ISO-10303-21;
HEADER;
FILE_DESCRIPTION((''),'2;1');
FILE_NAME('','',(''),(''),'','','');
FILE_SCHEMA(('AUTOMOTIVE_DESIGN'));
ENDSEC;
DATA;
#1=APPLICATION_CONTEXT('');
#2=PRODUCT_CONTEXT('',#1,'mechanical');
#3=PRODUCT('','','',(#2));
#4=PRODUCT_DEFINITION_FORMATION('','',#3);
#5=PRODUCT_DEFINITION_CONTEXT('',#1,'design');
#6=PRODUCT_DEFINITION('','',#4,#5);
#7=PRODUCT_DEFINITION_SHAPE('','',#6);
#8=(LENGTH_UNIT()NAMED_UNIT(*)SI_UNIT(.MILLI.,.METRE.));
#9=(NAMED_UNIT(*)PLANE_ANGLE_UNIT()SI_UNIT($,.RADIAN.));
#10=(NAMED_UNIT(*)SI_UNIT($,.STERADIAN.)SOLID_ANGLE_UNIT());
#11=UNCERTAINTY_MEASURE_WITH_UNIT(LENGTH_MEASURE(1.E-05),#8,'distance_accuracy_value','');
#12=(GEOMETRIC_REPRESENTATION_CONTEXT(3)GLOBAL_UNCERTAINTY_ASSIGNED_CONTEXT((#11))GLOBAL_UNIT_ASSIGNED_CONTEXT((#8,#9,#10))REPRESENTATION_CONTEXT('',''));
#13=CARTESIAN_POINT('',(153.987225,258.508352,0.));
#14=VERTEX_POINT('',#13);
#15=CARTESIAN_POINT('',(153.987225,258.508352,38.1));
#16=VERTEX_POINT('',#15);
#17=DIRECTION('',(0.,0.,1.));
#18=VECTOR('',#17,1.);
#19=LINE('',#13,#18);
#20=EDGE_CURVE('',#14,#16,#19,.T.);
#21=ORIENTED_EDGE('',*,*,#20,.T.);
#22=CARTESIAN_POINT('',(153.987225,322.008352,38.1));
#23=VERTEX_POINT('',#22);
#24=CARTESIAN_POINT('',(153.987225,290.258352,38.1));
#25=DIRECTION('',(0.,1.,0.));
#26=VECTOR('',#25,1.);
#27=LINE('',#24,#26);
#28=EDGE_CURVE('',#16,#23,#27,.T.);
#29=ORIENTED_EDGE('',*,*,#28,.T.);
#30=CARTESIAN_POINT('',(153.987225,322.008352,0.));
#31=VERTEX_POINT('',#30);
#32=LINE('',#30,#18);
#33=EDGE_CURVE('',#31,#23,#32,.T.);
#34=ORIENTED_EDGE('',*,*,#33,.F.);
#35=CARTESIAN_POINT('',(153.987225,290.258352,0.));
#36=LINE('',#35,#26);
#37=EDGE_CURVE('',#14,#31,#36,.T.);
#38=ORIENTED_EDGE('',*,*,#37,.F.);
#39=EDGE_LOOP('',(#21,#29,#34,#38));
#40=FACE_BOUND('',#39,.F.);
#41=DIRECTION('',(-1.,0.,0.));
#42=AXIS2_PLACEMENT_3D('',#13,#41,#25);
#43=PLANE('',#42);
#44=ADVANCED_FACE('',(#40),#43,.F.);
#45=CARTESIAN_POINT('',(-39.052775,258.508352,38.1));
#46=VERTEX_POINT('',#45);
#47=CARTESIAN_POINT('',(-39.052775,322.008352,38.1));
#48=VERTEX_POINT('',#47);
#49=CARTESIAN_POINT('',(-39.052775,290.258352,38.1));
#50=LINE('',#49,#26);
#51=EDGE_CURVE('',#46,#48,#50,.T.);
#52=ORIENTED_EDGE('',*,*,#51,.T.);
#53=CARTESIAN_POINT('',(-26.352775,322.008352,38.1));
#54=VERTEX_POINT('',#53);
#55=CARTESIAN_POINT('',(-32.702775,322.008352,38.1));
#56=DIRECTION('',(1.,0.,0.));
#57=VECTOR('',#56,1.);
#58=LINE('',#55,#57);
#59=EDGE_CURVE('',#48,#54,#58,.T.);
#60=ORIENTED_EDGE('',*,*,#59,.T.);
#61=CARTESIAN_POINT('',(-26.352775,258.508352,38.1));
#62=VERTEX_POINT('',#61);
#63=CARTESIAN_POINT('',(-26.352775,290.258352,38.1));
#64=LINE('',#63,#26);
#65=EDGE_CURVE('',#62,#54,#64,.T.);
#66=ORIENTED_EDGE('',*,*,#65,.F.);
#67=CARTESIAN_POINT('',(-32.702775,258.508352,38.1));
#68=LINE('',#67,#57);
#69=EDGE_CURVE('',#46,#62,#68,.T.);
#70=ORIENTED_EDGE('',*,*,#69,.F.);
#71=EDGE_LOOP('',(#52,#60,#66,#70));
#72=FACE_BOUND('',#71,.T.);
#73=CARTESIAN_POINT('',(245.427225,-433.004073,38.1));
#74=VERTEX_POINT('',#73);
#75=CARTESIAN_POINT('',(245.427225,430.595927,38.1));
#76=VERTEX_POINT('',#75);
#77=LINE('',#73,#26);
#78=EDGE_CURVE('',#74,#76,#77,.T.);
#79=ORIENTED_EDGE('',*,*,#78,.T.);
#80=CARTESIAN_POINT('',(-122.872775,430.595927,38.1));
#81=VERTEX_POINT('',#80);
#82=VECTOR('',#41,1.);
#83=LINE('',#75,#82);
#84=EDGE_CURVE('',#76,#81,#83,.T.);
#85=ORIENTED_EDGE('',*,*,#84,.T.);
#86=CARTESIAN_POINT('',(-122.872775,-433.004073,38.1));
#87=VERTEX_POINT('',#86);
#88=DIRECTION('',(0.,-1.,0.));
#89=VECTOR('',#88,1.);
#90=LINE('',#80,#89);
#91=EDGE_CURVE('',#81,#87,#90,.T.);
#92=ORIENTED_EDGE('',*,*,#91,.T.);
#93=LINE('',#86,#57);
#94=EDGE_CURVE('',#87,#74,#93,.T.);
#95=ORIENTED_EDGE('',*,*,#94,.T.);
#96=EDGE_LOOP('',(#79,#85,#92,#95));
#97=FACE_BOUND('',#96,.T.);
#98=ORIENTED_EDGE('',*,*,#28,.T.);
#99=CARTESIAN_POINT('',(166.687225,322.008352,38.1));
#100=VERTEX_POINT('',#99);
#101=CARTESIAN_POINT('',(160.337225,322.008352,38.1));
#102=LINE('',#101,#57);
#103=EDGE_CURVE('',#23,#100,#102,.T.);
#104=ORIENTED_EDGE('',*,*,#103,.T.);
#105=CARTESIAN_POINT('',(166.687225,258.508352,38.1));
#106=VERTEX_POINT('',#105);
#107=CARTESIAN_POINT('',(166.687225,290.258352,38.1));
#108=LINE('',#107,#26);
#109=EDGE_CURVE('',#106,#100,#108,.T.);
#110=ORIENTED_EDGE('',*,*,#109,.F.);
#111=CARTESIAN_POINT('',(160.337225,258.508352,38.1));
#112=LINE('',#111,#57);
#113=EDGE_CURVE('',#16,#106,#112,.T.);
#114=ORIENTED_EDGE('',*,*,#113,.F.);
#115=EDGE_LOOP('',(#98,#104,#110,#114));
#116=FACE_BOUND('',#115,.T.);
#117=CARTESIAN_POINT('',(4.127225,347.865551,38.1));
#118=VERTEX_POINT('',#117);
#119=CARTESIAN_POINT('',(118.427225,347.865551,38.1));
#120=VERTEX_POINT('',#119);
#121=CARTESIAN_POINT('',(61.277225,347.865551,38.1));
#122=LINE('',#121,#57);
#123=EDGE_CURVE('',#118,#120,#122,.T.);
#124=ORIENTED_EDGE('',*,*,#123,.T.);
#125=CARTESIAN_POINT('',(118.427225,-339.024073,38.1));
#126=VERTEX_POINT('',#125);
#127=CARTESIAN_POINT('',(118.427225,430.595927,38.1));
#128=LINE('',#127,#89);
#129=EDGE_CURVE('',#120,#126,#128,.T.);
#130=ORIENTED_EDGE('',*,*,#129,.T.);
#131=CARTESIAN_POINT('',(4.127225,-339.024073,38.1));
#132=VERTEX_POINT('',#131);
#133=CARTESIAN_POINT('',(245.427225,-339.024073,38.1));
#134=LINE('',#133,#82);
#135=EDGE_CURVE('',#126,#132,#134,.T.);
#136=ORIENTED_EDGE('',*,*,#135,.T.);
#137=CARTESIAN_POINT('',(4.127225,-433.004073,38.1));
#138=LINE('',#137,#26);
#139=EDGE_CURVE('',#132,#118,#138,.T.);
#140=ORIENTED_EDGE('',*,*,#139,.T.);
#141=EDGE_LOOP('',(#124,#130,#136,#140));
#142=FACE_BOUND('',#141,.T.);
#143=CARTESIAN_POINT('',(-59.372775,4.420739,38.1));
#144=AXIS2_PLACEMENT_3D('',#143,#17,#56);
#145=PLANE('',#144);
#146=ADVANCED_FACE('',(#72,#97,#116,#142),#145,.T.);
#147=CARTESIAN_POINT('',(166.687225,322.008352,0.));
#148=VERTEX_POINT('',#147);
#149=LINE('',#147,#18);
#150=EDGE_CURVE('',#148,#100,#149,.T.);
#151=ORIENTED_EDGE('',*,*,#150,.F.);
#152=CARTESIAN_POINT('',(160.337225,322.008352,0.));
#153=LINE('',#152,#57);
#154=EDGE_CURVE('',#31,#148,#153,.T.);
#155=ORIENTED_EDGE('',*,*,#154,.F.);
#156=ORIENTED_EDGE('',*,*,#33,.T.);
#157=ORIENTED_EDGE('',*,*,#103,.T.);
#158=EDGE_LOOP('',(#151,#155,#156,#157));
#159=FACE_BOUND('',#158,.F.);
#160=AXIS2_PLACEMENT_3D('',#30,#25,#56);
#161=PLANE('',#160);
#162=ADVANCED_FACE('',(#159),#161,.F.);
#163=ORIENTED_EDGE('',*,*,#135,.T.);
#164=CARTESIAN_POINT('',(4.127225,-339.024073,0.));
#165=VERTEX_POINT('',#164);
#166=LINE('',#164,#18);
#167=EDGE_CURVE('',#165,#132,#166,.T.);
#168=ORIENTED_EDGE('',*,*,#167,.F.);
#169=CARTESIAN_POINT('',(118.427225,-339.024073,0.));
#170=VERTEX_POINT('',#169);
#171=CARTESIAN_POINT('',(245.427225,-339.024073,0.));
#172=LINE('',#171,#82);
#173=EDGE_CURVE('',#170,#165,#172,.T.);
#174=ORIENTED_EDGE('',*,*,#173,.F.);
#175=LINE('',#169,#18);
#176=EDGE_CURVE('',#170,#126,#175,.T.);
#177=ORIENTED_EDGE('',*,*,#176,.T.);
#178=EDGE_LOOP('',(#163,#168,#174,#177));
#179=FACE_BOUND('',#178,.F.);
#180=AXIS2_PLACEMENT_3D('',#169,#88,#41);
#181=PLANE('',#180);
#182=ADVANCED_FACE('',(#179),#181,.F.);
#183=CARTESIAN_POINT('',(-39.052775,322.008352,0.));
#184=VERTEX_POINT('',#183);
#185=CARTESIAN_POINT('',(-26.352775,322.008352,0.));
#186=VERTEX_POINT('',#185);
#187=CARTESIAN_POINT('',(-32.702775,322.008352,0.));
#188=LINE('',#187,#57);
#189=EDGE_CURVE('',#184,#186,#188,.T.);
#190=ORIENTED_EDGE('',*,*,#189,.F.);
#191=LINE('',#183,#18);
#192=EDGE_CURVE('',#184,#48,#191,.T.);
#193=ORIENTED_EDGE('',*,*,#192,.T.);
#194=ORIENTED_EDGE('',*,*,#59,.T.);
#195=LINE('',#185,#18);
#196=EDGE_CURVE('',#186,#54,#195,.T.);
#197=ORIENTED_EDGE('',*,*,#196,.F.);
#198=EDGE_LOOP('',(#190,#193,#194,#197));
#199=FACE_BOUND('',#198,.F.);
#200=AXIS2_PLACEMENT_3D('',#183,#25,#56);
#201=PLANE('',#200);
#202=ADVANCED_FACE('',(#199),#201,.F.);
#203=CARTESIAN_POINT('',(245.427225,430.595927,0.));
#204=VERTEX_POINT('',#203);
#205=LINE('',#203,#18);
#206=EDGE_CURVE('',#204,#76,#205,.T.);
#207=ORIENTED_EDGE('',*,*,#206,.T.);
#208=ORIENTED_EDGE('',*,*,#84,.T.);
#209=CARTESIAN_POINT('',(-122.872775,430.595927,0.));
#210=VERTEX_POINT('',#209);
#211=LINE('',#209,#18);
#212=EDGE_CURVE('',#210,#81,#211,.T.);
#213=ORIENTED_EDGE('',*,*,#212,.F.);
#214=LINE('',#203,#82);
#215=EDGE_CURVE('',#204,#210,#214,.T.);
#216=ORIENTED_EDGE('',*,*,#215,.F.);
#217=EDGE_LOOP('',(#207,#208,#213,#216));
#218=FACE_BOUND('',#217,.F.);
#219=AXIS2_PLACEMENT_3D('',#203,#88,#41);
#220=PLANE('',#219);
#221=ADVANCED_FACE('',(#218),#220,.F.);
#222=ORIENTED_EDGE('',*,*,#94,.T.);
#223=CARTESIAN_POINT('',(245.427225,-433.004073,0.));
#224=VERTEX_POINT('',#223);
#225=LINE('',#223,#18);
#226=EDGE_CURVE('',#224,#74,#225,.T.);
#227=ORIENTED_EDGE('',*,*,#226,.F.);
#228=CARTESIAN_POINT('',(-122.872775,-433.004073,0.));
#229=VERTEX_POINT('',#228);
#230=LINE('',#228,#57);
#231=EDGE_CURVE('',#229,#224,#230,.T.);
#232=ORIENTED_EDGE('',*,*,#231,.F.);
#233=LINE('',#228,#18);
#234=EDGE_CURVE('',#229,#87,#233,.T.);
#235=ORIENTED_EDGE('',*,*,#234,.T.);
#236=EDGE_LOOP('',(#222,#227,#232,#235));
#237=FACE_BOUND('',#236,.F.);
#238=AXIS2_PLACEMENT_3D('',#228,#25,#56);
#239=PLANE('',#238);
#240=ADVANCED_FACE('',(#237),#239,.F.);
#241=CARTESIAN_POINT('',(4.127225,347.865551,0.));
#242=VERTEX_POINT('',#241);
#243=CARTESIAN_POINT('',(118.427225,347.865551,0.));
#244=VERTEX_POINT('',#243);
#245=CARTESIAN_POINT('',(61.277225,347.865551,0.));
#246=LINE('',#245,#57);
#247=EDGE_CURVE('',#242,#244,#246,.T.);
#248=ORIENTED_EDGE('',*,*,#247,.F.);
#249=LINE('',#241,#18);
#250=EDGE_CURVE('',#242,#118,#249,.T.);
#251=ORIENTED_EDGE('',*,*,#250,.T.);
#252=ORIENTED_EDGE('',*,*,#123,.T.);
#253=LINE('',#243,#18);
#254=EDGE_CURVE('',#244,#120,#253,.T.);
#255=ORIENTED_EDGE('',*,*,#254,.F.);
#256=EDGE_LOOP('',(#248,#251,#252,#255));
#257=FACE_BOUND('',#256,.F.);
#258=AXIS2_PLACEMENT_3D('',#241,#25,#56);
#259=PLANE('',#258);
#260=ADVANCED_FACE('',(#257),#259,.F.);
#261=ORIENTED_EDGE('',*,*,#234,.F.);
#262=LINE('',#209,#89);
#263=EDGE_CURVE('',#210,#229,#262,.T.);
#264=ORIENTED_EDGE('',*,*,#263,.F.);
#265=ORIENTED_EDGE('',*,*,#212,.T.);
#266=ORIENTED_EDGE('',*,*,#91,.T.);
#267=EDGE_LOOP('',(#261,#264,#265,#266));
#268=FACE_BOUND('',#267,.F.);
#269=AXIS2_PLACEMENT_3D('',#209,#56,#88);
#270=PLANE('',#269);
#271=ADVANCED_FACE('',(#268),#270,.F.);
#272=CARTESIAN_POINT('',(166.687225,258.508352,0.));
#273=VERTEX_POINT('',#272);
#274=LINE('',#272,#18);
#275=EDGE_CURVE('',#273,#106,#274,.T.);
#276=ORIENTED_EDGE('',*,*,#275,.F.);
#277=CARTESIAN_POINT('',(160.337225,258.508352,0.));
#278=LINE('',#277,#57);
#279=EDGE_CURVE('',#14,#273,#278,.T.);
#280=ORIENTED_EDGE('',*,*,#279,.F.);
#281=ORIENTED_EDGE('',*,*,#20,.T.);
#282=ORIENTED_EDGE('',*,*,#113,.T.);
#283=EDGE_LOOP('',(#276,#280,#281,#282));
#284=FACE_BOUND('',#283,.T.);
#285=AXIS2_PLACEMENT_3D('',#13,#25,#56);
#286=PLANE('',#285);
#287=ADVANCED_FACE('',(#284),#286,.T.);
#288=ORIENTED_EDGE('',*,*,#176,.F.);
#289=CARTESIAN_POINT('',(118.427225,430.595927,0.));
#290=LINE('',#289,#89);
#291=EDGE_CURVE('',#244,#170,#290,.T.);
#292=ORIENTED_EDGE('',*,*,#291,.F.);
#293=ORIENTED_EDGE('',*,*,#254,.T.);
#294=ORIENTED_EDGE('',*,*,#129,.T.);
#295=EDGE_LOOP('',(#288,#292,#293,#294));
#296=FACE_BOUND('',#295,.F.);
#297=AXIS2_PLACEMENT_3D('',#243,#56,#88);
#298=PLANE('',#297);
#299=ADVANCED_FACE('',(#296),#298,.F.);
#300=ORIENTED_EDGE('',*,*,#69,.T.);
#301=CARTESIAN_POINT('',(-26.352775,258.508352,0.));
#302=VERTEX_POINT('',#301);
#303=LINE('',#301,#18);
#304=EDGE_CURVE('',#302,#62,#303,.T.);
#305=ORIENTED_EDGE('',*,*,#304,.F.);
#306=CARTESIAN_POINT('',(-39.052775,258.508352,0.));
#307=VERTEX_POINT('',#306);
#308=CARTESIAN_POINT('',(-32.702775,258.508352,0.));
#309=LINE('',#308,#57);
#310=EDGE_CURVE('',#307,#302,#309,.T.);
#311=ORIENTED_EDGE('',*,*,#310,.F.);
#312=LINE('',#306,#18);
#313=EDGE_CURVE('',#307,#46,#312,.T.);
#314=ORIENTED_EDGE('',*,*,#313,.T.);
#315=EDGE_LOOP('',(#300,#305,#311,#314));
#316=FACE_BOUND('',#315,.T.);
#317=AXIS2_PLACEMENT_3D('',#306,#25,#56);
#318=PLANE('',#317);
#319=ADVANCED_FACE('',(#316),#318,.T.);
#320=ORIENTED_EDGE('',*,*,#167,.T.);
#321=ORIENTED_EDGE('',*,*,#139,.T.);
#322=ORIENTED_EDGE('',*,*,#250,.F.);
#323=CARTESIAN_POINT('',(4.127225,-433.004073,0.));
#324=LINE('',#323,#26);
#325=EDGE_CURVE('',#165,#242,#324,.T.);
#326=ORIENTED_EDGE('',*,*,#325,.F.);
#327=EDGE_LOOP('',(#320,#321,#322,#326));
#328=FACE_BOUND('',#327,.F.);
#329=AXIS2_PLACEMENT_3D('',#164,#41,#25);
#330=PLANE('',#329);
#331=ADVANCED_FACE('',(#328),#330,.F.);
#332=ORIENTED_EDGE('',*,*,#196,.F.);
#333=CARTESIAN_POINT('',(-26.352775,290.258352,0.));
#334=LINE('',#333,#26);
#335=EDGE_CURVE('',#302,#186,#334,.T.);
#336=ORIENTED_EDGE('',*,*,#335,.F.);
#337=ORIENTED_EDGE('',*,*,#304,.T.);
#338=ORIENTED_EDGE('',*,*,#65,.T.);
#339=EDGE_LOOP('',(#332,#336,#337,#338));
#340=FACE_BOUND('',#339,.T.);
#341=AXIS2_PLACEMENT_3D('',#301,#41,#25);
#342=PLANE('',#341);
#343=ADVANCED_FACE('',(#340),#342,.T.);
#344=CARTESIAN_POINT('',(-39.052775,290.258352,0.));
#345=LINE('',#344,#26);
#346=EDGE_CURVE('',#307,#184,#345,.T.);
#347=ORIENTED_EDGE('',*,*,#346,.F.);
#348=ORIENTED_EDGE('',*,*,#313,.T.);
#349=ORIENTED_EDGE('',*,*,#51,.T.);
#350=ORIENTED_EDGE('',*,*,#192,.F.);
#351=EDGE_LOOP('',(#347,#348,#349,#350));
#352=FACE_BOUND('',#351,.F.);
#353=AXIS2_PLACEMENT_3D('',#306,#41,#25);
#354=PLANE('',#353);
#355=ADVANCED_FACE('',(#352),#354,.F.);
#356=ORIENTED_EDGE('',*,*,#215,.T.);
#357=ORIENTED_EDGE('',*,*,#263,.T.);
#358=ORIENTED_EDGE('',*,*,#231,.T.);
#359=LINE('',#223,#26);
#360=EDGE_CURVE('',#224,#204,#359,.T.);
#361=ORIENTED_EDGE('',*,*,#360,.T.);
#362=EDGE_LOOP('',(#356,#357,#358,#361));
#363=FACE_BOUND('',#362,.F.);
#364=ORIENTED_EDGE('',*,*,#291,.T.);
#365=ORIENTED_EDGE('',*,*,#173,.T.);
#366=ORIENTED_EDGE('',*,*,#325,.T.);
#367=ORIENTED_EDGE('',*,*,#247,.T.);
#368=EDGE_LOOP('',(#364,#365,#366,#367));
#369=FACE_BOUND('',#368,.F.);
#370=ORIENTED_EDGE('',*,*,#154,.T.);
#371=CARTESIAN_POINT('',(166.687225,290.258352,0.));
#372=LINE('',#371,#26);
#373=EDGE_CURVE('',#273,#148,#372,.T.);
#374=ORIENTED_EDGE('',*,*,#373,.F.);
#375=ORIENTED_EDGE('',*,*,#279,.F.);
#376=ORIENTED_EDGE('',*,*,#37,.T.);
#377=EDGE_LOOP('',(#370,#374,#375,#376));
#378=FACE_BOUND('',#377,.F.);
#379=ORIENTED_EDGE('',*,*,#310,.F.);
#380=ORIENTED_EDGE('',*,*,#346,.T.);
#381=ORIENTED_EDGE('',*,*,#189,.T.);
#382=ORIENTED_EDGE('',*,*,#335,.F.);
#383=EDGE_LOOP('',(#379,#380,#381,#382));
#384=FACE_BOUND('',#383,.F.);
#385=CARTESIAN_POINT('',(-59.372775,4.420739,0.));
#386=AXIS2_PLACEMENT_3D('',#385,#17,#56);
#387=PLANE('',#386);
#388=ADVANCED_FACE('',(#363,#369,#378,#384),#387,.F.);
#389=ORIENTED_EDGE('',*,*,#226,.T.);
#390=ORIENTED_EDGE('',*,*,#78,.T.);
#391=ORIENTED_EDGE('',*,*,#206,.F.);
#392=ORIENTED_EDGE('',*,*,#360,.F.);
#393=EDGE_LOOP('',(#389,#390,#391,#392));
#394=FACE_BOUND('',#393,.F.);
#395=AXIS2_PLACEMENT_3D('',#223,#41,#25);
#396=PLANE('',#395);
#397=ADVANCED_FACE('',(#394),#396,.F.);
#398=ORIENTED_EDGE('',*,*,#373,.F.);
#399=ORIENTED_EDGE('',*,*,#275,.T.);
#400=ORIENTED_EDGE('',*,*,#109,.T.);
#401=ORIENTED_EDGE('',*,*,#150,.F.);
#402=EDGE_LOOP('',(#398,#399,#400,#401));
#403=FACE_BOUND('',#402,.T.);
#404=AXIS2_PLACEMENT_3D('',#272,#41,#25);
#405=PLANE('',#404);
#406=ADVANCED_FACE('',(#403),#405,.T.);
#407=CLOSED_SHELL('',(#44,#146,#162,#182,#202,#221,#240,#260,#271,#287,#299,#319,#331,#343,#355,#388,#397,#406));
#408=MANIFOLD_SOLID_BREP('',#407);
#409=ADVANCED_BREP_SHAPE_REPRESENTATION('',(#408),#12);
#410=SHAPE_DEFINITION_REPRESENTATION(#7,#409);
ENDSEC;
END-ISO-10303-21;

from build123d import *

# Parameters (mm, degrees)
F0_W     = 127
F0_H     = 686.889625
F0_W_2   = 12.7
F0_H_2   = 63.5
F0_H_3   = 93.98
F0_W_3   = 114.3
F0_H_4   = 82.730375
F1_DEPTH = 38.1


with BuildPart() as f1:
    # F0 (on Top) → F1 (new body)
    with BuildSketch(Plane.XY):
        with Locations((-59.372775, 4.420739)):
            Rectangle(F0_W, F0_H)
        with Locations((-32.702775, 290.258352)):
            Rectangle(F0_W_2, F0_H_2, mode=Mode.SUBTRACT)
        with Locations((-59.372775, -386.014073)):
            Rectangle(F0_W, F0_H_3)
        with Locations((61.277225, -386.014073)):
            Rectangle(F0_W_3, F0_H_3)
        with Locations((181.927225, -386.014073)):
            Rectangle(F0_W, F0_H_3)
        with Locations((181.927225, 4.420739)):
            Rectangle(F0_W, F0_H)
        with Locations((160.337225, 290.258352)):
            Rectangle(F0_W_2, F0_H_2, mode=Mode.SUBTRACT)
        with Locations((181.927225, 389.230739)):
            Rectangle(F0_W, F0_H_4)
        with Locations((61.277225, 389.230739)):
            Rectangle(F0_W_3, F0_H_4)
        with Locations((-59.372775, 389.230739)):
            Rectangle(F0_W, F0_H_4)
    extrude(amount=F1_DEPTH)


solid = f1.part
